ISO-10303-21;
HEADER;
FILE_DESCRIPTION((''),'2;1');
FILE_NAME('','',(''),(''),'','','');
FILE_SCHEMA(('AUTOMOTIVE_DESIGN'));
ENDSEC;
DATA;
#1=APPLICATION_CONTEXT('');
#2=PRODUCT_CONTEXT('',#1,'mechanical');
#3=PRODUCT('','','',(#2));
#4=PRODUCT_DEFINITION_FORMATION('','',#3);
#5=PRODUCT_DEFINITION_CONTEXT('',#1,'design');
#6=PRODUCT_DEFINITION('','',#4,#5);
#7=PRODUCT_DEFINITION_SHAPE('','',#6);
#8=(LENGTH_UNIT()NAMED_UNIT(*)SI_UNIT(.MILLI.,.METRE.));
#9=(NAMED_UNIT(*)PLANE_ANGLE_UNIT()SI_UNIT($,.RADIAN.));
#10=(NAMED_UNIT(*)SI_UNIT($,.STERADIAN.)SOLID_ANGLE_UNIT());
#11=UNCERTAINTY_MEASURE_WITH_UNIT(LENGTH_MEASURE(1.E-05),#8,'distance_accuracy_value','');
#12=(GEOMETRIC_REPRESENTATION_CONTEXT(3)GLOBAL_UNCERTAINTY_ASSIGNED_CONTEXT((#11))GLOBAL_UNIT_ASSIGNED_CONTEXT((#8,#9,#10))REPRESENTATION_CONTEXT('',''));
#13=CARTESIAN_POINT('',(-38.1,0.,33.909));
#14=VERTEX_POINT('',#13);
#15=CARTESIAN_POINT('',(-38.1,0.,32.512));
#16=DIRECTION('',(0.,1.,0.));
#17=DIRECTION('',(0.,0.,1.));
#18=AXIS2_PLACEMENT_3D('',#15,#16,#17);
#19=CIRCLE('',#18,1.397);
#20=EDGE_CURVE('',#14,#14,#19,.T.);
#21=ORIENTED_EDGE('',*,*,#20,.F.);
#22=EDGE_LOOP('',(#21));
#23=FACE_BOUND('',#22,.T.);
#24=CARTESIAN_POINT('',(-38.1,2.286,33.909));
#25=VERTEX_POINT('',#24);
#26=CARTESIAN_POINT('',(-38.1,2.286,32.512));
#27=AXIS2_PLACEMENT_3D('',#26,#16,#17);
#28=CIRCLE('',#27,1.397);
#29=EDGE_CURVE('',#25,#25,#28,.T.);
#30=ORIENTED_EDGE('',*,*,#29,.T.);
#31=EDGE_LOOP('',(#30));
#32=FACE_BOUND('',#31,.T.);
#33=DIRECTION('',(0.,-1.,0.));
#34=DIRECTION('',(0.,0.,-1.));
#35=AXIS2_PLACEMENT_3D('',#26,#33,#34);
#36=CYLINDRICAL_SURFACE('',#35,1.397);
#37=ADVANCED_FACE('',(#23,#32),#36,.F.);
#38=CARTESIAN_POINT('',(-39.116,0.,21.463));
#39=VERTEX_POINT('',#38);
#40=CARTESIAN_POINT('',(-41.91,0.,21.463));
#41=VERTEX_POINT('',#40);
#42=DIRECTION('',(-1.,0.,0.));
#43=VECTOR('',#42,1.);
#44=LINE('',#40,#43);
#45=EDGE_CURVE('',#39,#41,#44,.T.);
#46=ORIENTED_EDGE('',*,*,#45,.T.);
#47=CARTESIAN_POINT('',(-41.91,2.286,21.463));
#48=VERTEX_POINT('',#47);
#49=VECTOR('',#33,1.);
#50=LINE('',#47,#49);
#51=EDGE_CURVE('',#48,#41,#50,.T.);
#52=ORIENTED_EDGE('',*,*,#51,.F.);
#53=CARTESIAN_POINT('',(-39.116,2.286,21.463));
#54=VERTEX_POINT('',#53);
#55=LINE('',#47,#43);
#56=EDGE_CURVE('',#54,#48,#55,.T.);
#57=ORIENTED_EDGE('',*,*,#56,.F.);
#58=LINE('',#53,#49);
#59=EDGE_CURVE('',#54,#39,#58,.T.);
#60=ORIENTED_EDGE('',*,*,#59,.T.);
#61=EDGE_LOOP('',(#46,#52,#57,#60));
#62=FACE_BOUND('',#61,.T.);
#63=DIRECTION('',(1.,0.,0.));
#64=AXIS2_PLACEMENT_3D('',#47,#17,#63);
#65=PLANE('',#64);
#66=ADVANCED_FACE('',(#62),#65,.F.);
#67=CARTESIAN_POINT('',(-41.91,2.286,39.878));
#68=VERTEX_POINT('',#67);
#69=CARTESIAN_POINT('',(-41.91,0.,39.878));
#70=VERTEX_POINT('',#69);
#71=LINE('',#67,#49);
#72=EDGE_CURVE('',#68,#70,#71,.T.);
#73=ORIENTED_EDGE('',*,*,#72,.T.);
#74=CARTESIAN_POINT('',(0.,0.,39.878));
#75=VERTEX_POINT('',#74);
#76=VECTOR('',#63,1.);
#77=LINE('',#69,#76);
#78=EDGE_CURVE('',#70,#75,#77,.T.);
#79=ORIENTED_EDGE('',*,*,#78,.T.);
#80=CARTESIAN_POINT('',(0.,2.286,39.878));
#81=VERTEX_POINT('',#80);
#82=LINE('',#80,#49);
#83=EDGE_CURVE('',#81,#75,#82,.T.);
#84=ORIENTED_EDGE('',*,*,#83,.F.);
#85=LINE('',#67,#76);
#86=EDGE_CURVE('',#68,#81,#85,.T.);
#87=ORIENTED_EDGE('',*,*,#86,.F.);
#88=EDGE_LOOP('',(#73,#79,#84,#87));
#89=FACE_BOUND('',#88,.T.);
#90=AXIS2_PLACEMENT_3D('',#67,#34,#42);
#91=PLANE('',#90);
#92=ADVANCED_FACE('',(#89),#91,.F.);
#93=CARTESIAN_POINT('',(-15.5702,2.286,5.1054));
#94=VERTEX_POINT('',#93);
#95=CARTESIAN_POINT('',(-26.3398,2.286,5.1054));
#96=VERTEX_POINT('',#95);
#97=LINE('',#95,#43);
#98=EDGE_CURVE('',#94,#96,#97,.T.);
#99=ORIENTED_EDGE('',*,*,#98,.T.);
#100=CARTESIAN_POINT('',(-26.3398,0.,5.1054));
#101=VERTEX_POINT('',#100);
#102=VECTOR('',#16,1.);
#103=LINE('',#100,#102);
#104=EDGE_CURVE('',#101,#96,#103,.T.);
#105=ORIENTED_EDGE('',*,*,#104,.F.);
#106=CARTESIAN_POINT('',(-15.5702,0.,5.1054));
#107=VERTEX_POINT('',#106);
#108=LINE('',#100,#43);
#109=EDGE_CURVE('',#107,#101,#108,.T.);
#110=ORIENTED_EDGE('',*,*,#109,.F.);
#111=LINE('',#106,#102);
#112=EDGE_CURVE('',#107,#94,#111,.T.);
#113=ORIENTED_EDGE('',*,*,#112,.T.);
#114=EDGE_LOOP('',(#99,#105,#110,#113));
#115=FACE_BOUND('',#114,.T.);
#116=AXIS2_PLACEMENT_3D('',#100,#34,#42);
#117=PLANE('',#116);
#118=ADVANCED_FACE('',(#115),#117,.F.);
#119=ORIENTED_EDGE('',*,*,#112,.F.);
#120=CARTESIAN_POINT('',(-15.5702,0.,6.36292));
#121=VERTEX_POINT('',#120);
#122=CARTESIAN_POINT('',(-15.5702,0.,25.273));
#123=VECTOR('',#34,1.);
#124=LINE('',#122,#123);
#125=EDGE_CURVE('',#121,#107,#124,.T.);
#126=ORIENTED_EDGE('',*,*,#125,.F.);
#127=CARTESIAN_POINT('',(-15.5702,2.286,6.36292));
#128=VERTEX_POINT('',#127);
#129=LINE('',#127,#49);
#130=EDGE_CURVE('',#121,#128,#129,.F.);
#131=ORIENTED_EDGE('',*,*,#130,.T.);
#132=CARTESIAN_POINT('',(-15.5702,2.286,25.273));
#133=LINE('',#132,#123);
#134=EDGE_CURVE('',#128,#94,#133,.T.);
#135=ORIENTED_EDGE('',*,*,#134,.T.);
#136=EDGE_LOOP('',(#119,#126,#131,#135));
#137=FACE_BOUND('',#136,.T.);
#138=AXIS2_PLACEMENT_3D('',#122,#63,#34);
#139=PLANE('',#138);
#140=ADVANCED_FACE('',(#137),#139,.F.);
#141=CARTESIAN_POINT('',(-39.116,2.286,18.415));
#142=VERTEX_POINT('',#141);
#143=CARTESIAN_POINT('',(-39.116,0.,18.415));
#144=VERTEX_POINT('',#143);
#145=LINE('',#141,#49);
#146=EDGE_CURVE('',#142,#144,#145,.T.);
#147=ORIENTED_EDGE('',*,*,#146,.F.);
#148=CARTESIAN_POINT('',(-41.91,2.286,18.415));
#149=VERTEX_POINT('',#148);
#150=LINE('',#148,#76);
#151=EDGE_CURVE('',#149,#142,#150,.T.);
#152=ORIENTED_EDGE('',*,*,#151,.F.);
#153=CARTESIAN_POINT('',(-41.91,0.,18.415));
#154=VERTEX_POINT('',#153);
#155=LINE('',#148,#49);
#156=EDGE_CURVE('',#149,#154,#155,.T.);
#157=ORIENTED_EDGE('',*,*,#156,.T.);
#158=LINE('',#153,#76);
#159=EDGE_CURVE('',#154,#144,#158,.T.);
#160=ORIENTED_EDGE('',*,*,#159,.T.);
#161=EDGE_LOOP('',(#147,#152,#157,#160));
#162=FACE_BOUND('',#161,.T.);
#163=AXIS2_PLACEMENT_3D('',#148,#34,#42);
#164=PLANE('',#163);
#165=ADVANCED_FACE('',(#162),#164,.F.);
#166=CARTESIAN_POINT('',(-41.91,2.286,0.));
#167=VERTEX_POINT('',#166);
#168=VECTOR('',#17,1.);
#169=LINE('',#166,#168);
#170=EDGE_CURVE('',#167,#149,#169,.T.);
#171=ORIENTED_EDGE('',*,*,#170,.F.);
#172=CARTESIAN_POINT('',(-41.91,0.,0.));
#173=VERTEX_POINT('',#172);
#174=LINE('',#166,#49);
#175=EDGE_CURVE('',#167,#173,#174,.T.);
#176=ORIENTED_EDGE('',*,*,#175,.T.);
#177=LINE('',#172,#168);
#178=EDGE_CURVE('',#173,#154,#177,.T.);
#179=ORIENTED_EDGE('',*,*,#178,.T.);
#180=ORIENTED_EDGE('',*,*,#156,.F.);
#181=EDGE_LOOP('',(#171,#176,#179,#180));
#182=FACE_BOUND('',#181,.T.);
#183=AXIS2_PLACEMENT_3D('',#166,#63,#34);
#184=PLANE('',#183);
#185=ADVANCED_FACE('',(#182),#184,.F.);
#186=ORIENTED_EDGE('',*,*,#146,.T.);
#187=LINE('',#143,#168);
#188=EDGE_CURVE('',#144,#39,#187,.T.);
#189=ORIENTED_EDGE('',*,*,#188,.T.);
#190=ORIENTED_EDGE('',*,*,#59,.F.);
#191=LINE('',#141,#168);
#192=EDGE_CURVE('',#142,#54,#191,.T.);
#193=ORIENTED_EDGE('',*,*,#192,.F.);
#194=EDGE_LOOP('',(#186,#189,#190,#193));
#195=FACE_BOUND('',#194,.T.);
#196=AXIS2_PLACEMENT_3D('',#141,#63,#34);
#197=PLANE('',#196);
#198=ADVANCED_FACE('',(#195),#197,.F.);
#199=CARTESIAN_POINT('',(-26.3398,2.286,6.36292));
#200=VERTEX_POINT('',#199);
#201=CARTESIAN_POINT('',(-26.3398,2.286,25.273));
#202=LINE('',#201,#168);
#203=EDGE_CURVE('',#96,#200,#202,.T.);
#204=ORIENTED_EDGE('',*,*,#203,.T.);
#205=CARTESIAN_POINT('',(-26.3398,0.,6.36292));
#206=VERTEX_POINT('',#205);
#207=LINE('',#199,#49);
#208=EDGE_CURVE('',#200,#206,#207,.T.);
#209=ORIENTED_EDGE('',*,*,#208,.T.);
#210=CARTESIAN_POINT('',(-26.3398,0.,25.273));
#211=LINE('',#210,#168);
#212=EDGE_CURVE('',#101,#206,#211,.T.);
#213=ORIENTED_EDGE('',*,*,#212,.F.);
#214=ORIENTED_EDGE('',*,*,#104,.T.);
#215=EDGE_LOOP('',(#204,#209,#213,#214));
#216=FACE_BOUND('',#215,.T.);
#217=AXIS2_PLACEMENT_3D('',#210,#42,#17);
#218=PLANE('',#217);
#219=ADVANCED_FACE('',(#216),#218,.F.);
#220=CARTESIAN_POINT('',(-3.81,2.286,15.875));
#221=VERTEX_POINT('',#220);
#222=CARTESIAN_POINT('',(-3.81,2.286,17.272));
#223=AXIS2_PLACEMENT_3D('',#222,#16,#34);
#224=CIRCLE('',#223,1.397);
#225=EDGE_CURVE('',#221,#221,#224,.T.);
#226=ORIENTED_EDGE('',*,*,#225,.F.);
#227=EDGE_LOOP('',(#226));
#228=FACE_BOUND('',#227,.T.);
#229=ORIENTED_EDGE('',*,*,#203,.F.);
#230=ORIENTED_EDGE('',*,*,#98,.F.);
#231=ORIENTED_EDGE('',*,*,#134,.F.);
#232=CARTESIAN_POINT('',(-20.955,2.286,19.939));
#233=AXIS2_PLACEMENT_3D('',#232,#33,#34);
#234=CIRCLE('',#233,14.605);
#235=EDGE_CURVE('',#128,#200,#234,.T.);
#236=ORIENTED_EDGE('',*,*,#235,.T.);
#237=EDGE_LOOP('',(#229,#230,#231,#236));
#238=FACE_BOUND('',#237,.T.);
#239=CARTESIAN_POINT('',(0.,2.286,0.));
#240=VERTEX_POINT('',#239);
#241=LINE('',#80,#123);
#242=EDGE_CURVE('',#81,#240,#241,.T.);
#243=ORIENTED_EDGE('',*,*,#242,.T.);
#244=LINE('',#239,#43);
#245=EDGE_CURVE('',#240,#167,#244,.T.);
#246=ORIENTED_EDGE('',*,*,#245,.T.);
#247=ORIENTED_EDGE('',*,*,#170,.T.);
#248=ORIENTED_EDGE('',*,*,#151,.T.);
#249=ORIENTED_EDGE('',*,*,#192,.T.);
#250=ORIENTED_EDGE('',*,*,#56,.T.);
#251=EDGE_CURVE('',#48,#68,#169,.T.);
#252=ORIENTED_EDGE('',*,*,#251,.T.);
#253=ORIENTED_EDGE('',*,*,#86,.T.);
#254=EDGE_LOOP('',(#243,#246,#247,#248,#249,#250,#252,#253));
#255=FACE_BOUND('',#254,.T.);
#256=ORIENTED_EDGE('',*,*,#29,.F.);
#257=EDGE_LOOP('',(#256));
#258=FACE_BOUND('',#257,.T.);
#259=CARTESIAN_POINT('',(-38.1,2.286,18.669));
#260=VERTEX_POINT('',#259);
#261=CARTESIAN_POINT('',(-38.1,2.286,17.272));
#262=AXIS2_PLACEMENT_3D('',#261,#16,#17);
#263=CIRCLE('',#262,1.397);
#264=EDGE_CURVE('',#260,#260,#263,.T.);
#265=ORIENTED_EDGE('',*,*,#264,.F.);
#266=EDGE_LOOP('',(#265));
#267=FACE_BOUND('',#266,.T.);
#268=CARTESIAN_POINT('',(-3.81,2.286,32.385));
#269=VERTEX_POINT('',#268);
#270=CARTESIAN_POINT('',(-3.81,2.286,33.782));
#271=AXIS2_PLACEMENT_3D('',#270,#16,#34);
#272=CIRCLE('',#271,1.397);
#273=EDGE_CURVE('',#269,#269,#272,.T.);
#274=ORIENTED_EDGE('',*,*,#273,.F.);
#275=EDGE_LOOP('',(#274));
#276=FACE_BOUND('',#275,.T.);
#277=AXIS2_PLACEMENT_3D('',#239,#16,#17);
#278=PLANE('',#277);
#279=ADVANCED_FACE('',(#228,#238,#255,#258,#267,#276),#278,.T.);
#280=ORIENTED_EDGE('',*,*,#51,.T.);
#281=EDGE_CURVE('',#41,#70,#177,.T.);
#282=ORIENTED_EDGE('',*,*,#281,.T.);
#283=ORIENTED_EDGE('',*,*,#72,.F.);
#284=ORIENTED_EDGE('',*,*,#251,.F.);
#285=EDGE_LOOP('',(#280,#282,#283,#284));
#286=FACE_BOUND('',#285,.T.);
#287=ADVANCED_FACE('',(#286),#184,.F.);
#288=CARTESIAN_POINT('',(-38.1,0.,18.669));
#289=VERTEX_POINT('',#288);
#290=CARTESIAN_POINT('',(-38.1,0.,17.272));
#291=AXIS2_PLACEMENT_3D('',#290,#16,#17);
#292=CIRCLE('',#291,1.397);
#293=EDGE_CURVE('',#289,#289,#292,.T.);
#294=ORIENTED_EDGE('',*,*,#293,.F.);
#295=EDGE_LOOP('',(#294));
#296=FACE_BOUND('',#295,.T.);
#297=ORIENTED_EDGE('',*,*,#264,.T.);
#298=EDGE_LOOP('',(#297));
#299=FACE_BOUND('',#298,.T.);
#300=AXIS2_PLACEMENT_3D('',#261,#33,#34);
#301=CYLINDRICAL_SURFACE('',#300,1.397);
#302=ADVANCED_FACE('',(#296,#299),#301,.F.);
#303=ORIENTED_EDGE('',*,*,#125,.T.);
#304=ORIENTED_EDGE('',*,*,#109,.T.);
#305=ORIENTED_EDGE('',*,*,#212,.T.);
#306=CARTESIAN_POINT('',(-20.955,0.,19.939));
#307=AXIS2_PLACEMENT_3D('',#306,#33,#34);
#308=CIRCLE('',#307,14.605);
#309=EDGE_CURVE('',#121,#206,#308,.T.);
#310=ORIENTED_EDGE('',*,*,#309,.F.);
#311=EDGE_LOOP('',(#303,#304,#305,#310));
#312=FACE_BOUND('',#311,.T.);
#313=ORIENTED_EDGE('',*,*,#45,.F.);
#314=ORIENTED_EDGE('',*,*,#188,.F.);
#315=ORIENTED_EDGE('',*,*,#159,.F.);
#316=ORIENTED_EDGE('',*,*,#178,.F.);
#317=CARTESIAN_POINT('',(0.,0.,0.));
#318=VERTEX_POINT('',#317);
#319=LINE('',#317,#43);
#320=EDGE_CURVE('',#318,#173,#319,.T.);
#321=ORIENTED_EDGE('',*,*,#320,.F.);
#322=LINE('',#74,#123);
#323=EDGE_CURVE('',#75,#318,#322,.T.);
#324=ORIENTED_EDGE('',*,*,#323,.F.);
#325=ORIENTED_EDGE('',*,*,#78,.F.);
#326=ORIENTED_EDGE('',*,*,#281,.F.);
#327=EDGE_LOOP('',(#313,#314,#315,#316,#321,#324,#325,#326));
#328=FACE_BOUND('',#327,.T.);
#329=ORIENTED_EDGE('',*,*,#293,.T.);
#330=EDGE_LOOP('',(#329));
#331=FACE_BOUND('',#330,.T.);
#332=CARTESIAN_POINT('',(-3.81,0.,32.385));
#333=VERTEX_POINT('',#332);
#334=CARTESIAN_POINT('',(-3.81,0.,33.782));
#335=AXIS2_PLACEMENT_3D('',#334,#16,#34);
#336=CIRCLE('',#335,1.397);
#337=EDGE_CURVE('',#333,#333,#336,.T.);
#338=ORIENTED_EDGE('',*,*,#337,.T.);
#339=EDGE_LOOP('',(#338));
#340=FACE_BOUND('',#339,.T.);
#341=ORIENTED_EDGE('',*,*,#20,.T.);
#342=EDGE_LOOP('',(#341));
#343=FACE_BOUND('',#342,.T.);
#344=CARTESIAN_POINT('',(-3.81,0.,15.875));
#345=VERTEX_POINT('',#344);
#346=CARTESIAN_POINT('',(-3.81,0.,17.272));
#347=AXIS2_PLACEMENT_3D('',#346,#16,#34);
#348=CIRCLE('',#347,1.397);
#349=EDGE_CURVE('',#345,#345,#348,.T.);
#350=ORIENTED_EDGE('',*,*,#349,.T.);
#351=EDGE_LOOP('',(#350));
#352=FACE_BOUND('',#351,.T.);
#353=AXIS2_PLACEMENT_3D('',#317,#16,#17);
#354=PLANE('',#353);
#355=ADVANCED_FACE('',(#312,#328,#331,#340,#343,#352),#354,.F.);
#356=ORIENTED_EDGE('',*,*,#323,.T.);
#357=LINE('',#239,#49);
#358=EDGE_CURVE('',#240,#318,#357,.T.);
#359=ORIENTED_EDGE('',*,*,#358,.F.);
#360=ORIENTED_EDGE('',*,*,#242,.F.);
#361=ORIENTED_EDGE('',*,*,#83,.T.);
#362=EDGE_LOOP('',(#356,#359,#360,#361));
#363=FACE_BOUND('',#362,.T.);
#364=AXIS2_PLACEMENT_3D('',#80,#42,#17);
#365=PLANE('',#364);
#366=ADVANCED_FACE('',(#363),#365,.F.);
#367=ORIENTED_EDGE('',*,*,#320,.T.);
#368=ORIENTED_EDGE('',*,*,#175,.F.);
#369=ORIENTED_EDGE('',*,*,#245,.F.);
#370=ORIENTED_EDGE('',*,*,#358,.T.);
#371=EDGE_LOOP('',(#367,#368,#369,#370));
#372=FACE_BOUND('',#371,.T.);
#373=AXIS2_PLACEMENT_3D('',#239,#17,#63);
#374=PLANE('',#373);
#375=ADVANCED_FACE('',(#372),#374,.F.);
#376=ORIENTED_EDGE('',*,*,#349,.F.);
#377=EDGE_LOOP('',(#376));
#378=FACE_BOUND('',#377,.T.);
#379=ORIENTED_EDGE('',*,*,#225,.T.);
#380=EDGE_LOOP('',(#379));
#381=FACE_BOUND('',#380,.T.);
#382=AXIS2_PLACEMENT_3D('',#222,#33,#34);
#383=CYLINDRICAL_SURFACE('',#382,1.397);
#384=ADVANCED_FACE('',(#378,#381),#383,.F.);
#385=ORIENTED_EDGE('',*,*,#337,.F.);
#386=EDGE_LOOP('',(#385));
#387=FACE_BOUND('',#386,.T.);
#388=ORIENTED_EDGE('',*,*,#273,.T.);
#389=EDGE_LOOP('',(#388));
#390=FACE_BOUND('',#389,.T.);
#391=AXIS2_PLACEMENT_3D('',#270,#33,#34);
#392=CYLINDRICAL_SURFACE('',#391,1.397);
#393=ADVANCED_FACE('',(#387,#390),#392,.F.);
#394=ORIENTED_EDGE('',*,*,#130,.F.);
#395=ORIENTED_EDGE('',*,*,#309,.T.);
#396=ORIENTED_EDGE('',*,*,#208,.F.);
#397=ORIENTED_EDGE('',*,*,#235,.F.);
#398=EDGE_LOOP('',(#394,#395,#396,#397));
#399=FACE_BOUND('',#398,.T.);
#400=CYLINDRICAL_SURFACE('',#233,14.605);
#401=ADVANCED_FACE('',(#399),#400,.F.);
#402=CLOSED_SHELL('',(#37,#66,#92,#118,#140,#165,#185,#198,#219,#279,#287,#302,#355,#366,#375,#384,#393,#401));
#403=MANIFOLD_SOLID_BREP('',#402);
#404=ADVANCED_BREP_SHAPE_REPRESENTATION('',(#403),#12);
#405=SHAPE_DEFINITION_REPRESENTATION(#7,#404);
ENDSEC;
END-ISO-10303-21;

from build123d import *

# Parameters (mm, degrees)
SKETCH5_W      = 41.91
SKETCH5_H      = 39.878
SKETCH5_R      = 1.397
EXTRUDE3_DEPTH = 2.286
SKETCH6_W      = 10.7696
SKETCH6_H      = 20.1676
EXTRUDE4_DEPTH = 3.286
SKETCH7_R      = 14.605
SKETCH7_W      = 2.794
SKETCH7_H      = 3.048
EXTRUDE5_DEPTH = 3.286


with BuildPart() as part:
    # Sketch5 → Extrude3 (new body)
    with BuildSketch(Plane(origin=(0, 0, 0), x_dir=(1, 0, 0), z_dir=(0, 1, 0))):
        with Locations((-20.955, -19.939)):
            Rectangle(SKETCH5_W, SKETCH5_H)
        with Locations((-38.1, -17.272)):
            Circle(SKETCH5_R, mode=Mode.SUBTRACT)
        with Locations((-38.1, -32.512)):
            Circle(SKETCH5_R, mode=Mode.SUBTRACT)
        with Locations((-3.81, -33.782)):
            Circle(SKETCH5_R, mode=Mode.SUBTRACT)
        with Locations((-3.81, -17.272)):
            Circle(SKETCH5_R, mode=Mode.SUBTRACT)
    extrude(amount=EXTRUDE3_DEPTH)

    # Sketch6 → Extrude4 (cut, through all)
    with BuildSketch(Plane(origin=(0, 2.286, 0), x_dir=(-1, 0, 0), z_dir=(0, 1, 0))):
        with Locations((20.955, 15.1892)):
            Rectangle(SKETCH6_W, SKETCH6_H)
    extrude(amount=-EXTRUDE4_DEPTH, mode=Mode.SUBTRACT)

    # Sketch7 → Extrude5 (cut, through all)
    with BuildSketch(Plane.XZ):
        with Locations((-20.955, 19.939)):
            Circle(SKETCH7_R)
        with Locations((-40.513, 19.939)):
            Rectangle(SKETCH7_W, SKETCH7_H)
    extrude(amount=-EXTRUDE5_DEPTH, mode=Mode.SUBTRACT)


solid = part.part
